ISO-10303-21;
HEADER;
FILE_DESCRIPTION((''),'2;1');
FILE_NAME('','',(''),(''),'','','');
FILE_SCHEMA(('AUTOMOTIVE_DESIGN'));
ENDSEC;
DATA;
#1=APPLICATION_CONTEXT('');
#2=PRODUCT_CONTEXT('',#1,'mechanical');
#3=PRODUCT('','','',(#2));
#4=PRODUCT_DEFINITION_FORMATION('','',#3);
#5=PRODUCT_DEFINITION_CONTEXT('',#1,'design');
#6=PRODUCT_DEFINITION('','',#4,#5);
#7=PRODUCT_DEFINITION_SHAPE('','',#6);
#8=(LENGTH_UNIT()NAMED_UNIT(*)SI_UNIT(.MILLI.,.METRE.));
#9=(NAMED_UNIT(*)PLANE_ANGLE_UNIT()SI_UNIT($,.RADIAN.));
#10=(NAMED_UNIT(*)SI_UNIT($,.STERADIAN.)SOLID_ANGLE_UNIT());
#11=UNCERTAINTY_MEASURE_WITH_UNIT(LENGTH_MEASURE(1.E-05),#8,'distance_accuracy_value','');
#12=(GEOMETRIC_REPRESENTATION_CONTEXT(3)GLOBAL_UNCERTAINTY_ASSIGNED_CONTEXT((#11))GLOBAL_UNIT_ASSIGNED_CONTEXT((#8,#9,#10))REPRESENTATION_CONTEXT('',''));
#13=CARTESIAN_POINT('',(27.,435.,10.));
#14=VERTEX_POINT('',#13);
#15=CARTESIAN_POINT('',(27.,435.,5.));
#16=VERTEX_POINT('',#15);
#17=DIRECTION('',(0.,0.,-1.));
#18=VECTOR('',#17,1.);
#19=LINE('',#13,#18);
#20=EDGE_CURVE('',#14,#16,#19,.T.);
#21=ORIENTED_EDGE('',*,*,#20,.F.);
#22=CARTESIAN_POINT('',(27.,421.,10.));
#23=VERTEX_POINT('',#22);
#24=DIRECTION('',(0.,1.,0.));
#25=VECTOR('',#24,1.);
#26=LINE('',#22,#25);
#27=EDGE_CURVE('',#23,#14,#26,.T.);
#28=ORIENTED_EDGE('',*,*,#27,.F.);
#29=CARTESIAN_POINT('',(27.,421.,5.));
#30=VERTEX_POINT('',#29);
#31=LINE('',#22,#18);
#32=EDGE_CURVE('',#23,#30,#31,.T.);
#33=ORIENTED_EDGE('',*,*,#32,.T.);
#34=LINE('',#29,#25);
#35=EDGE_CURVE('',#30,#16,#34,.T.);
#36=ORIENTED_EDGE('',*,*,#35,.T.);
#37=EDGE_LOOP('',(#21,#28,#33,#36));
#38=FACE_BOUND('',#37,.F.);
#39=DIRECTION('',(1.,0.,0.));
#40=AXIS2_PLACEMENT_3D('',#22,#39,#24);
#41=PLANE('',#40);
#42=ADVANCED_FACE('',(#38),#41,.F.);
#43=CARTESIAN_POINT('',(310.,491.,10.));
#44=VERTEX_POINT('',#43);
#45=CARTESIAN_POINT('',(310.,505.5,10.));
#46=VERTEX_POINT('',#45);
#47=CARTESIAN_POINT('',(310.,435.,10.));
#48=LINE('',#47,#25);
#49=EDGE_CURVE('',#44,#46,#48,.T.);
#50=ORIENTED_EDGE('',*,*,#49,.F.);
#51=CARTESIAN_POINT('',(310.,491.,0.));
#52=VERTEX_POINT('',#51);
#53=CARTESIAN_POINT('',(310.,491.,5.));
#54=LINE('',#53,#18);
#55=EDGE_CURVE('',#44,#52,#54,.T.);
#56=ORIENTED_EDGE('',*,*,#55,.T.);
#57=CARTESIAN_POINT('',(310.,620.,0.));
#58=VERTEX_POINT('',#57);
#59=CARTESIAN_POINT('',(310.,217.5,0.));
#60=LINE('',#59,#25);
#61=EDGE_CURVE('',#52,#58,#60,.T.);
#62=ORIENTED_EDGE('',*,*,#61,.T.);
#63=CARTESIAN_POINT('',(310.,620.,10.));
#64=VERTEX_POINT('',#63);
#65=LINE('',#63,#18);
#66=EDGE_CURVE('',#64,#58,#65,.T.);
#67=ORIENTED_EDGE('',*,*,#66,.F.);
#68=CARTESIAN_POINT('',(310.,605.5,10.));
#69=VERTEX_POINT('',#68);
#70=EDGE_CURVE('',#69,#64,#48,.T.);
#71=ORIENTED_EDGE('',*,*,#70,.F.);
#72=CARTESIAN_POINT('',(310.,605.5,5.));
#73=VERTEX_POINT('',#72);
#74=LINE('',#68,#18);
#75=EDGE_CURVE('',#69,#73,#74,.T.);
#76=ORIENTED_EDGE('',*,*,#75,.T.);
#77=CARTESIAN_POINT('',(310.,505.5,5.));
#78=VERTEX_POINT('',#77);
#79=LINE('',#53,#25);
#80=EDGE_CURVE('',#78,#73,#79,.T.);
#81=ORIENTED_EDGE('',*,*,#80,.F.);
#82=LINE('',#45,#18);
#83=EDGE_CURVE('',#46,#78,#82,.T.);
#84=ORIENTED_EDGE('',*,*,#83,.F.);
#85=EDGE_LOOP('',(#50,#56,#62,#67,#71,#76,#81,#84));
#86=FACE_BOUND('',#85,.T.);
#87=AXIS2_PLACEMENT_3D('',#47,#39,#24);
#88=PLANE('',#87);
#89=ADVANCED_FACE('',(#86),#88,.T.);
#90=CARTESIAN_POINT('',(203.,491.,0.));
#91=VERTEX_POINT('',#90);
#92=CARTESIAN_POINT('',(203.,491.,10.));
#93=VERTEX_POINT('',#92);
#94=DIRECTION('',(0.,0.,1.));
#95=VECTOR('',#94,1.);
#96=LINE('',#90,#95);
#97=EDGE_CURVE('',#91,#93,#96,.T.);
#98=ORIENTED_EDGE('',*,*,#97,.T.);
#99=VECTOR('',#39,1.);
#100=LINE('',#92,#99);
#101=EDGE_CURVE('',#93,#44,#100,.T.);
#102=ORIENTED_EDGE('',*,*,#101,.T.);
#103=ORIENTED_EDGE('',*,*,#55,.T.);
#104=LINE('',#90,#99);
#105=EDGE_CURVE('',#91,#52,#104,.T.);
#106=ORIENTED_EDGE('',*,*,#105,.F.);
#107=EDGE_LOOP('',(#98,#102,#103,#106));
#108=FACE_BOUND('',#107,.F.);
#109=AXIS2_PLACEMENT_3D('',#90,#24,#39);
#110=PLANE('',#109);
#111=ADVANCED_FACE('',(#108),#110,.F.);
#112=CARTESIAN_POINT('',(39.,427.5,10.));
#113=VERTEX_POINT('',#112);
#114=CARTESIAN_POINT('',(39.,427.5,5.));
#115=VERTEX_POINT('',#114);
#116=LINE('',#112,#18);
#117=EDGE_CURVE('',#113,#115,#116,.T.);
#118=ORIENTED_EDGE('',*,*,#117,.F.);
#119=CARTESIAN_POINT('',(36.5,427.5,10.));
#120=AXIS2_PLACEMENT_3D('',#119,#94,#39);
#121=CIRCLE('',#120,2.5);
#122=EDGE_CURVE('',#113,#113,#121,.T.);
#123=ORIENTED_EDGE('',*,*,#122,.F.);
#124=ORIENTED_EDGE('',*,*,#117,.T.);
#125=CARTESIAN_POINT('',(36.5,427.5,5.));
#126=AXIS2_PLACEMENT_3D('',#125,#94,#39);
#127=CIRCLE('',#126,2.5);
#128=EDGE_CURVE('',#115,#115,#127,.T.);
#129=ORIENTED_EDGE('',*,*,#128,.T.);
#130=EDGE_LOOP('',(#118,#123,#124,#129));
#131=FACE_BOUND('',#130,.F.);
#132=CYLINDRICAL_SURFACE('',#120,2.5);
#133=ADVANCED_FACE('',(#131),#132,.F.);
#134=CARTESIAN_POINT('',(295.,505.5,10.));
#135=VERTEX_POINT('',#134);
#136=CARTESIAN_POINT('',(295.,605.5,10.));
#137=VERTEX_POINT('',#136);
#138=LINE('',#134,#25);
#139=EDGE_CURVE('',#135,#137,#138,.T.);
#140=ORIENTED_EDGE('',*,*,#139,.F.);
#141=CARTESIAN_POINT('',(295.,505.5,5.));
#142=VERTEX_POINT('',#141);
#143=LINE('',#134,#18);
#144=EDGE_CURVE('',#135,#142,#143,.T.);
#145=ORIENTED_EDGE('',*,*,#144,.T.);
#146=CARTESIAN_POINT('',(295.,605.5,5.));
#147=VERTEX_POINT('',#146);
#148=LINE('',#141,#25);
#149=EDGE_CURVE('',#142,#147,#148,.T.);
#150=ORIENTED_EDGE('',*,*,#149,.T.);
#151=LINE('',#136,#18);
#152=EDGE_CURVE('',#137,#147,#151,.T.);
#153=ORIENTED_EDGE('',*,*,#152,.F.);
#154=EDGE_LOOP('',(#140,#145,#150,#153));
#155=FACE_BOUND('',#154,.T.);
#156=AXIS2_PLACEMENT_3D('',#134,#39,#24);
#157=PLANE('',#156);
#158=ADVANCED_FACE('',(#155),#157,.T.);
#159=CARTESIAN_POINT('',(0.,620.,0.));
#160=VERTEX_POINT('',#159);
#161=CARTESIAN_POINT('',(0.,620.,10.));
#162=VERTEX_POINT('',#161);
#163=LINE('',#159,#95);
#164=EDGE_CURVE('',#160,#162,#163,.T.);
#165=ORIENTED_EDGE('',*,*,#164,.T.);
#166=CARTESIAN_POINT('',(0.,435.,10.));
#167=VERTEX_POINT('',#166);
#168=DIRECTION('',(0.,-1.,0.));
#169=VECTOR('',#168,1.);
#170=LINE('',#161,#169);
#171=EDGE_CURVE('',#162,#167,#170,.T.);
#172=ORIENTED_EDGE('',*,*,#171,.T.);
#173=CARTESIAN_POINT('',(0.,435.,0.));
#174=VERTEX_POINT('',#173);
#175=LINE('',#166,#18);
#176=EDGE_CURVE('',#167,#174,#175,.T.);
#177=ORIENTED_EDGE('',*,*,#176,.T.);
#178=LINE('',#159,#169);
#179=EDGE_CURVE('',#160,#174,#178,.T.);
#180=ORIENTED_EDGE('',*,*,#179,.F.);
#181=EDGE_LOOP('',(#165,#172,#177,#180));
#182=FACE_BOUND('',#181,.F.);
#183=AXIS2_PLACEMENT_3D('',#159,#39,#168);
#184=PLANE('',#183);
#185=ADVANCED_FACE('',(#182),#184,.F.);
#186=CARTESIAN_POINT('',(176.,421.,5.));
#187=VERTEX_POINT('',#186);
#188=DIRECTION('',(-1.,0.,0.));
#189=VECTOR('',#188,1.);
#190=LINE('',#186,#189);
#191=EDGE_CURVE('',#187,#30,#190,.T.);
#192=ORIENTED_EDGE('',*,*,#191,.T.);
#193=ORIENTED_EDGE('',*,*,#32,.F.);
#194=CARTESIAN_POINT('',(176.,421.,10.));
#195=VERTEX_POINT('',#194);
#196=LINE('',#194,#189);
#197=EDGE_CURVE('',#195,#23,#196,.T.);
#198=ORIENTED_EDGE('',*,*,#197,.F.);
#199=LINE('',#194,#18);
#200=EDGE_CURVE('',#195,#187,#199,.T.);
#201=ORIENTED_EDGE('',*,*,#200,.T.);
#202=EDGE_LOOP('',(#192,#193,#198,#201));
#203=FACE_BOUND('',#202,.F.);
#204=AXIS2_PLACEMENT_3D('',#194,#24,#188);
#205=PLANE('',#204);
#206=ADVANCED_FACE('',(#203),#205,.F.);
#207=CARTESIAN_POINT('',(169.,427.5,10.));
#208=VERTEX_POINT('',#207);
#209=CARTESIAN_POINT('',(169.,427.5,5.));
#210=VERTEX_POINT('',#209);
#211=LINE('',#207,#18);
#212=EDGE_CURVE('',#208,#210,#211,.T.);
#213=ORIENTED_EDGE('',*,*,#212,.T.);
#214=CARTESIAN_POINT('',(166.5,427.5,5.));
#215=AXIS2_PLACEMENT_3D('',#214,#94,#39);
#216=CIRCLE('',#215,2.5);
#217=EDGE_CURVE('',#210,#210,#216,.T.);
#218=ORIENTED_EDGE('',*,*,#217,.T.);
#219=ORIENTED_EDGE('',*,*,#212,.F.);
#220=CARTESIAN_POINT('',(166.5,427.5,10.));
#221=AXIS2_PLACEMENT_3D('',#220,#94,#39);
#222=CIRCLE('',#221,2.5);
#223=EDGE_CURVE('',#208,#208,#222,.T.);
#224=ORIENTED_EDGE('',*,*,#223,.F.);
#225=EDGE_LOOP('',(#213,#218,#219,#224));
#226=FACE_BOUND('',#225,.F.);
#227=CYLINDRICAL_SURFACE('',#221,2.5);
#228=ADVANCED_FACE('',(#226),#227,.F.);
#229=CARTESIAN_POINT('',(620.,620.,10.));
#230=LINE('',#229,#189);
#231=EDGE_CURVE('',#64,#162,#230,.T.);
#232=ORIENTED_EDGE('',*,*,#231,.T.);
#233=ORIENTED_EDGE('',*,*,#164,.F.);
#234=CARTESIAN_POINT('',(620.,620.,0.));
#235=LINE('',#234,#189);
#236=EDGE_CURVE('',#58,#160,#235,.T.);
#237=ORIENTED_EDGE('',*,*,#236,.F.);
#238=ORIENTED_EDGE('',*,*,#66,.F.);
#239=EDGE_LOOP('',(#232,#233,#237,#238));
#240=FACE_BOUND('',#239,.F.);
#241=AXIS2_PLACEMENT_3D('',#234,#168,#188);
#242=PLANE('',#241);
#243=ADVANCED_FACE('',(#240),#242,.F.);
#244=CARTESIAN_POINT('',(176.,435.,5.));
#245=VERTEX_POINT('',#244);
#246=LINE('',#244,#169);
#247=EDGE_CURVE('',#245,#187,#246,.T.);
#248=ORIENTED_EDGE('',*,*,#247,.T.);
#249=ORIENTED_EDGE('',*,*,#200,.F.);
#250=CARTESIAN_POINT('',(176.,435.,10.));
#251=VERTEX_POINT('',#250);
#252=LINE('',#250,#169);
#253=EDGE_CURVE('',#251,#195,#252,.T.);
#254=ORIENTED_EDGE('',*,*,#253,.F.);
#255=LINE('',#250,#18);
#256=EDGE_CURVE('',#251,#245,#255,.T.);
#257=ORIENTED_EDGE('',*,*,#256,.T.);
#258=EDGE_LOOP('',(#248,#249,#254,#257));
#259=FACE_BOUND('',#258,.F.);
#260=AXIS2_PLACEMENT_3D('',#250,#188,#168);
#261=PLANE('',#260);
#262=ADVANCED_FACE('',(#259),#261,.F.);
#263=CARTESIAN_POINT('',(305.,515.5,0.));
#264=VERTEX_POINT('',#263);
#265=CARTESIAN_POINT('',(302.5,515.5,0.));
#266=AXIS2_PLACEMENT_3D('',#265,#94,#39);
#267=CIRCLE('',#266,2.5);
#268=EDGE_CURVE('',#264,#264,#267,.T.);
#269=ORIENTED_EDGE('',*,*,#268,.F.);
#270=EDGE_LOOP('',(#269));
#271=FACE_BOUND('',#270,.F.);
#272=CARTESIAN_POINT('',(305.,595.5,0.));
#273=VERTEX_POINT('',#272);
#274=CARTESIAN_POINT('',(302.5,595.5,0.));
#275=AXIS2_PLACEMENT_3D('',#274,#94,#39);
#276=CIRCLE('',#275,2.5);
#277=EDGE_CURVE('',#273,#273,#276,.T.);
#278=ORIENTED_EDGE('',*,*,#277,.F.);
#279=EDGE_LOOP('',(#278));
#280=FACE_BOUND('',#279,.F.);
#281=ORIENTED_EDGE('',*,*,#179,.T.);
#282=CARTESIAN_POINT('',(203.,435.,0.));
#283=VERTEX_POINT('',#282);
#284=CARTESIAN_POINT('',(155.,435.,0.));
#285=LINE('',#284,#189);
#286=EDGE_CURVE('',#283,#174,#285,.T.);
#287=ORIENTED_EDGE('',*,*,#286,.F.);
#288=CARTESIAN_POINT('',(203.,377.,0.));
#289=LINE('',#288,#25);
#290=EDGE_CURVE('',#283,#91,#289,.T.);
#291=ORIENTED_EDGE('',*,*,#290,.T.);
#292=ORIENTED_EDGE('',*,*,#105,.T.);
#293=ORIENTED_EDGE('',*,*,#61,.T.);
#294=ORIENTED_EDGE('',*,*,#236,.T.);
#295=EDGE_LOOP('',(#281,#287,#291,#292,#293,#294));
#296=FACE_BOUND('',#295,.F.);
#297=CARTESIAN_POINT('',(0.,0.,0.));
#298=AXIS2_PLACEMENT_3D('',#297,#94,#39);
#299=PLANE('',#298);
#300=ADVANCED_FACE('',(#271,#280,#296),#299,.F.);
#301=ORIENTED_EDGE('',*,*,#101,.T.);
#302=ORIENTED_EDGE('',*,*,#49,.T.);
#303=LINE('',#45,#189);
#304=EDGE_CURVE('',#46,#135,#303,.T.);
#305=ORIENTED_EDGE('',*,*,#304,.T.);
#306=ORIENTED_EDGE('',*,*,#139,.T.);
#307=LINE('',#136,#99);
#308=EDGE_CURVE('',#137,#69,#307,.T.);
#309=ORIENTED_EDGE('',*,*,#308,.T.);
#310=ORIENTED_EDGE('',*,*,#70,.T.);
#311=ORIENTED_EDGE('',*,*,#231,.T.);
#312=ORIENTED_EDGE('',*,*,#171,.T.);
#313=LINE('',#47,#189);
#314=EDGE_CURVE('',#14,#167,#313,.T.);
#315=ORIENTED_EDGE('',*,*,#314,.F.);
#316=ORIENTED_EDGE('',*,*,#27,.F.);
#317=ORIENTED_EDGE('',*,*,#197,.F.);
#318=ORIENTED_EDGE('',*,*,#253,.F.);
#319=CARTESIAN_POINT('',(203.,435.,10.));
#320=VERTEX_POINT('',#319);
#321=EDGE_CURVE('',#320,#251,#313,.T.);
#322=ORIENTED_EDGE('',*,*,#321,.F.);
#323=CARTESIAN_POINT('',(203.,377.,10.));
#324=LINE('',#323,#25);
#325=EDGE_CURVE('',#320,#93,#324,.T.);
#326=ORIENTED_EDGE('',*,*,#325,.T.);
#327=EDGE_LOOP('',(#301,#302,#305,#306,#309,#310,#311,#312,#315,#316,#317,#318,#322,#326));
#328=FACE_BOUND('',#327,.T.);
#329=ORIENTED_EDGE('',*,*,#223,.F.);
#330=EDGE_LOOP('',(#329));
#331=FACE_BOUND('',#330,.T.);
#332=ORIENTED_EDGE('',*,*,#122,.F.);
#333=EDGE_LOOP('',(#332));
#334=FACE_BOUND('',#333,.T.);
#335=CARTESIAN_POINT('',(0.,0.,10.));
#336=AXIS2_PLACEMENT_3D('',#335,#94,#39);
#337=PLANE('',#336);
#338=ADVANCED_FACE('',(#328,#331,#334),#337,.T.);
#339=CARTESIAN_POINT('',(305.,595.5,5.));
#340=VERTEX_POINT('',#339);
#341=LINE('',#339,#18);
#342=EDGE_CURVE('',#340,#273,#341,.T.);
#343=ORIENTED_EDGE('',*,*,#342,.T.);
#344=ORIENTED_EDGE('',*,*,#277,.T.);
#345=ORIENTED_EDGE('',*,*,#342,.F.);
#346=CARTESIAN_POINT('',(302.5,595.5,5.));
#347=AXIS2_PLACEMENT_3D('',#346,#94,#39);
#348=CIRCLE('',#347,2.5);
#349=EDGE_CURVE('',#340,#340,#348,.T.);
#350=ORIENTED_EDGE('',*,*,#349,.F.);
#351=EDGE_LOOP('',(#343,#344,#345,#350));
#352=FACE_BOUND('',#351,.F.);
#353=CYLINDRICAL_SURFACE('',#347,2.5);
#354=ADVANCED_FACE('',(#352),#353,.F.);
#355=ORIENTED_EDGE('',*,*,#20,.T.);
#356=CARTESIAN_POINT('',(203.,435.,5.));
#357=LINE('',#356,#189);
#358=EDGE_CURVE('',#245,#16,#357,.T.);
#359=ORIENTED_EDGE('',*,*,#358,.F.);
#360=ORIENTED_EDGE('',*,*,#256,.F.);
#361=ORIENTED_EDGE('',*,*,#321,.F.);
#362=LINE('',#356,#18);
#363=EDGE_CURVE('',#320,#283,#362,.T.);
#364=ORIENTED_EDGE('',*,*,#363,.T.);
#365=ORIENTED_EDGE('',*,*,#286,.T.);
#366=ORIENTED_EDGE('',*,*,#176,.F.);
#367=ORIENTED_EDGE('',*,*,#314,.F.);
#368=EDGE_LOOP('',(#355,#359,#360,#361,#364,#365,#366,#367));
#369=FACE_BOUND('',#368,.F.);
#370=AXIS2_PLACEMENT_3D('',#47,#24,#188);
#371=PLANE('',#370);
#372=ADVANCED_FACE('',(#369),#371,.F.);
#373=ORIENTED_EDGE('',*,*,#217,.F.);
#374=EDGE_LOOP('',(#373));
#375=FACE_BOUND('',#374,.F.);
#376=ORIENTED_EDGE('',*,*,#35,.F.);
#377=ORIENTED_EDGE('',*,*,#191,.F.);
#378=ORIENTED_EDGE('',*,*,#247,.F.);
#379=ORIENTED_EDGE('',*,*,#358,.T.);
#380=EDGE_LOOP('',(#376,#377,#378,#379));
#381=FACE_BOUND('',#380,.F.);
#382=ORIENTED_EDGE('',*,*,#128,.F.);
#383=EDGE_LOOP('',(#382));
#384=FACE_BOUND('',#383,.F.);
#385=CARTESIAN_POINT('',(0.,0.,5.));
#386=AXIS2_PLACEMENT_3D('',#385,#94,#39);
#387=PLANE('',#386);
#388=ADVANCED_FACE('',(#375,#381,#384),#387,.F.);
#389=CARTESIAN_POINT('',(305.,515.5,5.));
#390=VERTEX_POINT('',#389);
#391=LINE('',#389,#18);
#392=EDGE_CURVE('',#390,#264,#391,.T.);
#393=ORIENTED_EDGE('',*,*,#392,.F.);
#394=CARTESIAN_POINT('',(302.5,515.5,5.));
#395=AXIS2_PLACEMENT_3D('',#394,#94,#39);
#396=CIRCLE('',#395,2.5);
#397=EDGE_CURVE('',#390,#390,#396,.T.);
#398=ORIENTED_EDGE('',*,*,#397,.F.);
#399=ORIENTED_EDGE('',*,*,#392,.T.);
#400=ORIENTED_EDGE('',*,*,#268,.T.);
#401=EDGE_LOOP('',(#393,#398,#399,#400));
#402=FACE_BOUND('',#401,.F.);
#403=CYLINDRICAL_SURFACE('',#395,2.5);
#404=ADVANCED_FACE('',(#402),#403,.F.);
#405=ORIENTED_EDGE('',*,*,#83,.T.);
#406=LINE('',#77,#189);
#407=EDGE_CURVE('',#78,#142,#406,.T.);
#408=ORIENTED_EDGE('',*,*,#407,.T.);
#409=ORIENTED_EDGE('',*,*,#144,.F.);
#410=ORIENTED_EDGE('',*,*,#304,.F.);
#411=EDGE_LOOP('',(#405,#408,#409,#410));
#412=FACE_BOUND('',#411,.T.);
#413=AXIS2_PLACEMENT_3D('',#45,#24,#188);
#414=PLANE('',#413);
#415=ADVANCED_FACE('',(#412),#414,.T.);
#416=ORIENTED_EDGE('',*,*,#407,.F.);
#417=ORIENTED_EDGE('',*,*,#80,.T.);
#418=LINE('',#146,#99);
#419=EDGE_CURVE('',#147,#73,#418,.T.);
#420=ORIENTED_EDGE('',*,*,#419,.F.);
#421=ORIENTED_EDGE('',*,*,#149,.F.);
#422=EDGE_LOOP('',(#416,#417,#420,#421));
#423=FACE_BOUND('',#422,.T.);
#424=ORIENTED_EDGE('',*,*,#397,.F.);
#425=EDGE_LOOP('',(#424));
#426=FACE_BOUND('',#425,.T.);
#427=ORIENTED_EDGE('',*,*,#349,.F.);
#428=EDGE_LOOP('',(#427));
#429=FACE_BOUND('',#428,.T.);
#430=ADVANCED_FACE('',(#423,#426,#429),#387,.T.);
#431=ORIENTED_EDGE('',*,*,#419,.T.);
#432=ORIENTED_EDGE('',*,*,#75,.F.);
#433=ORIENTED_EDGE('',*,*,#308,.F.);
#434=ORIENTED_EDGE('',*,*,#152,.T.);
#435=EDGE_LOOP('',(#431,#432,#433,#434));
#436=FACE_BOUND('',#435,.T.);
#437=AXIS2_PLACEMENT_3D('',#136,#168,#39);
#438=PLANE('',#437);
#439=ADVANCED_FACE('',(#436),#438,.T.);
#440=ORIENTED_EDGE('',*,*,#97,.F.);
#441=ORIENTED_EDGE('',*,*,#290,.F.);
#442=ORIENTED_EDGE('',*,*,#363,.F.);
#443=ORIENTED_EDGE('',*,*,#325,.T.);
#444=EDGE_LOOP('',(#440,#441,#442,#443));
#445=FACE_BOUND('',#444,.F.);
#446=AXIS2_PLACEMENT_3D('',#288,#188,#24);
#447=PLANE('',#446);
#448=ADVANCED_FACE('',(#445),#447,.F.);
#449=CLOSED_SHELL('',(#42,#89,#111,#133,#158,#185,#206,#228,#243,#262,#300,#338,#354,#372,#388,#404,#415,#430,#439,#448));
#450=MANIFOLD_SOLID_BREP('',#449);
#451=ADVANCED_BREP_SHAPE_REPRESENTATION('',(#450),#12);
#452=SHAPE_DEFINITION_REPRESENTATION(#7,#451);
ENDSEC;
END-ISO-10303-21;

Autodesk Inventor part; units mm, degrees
ref_plane "YZ Plane" through (0, 0, 0) normal (1, 0, 0) x (0, 1, 0)
ref_plane "XZ Plane" through (0, 0, 0) normal (0, 1, 0) x (-1, 0, 0)
ref_plane "XY Plane" through (0, 0, 0) normal (0, 0, 1) x (1, 0, 0)
sketch "Sketch1" plane through (0, 0, 0) normal (0, 0, 1) x (1, 0, 0)
  line L0 (0, 0) -> (620, 0)
  line L1 (620, 0) -> (620, 620)
  line L2 (620, 620) -> (0, 620)
  line L3 (0, 620) -> (0, 0)
  line L4 (203, 491) -> (417, 491)
  line L5 (417, 491) -> (417, 377)
  line L6 (417, 377) -> (203, 377)
  line L7 (203, 377) -> (203, 491)
  point P0 (310, 491)
  point P1 (310, 620)
  dimension "d0" = 620
  dimension "d1" = 620
  dimension "d2" = 214
  dimension "d3" = 114
  dimension "d4" = 129
extrude "Extrusion1" add sketch "Sketch1" along normal blind 10
sketch "Sketch2" plane through (0, 0, 10) normal (0, 0, 1) x (1, 0, 0)
  line L0 (0, 0) -> (310, 0)
  line L1 (310, 0) -> (310, 435)
  line L2 (310, 435) -> (0, 435)
  line L3 (0, 435) -> (0, 0)
  line L4 (620, 620) -> (0, 620) projected
  line L5 (0, 435) -> (620, 435)
  line L6 (620, 435) -> (620, 620)
  line L7 (620, 620) -> (0, 620)
  line L8 (0, 620) -> (0, 435)
  line L9 (310, 435) -> (620, 435)
  line L10 (620, 435) -> (620, 0)
  line L11 (620, 0) -> (310, 0)
  line L12 (310, 0) -> (310, 435)
  line L13 (620, 435) -> (310, 435)
  line L14 (310, 435) -> (310, 620)
  line L15 (310, 620) -> (620, 620)
  line L16 (620, 620) -> (620, 435)
  dimension "d7" = 435
extrude "Extrusion2" cut sketch "Sketch2" against normal through all contours L3 L2 L1 L0 | L1 L5 L10 L11 | L14 L4 L6 L5
sketch "Sketch6" plane through (0, 0, 10) normal (0, 0, 1) x (1, 0, 0)
  line L0 (310, 491) -> (310, 620) projected
  line L1 (310, 505.5) -> (295, 505.5)
  line L2 (295, 505.5) -> (295, 605.5)
  line L3 (295, 605.5) -> (310, 605.5)
  line L4 (310, 605.5) -> (310, 505.5)
  point P0 (0, 0)
  point P1 (310, 555.5)
  dimension "d30" = 15
  dimension "d31" = 100
extrude "Extrusion6" cut sketch "Sketch6" against normal blind 5
sketch "Sketch7" plane through (0, 0, 5) normal (0, 0, 1) x (1, 0, 0)
  line L0 (310, 605.5) -> (310, 505.5) construction
  line L1 (295, 605.5) -> (310, 605.5) construction
  line L2 (295, 505.5) -> (295, 605.5) construction
  line L3 (310, 505.5) -> (295, 505.5) construction
  circle A0 centre (302.5, 515.5) radius 2.5
  circle A1 centre (302.5, 595.5) radius 2.5
  point P0 (0, 0)
  point P1 (302.5, 605.5)
  point P2 (302.5, 505.5)
  dimension "d36" = 5
  dimension "d37" = 5
  dimension "d38" = 10
  dimension "d39" = 10
extrude "Extrusion7" cut sketch "Sketch7" against normal through all
sketch "Sketch8" plane through (0, 0, 10) normal (0, 0, 1) x (1, 0, 0)
  line L0 (203, 435) -> (0, 435) projected
  line L1 (27, 435) -> (176, 435)
  line L2 (176, 435) -> (176, 421)
  line L3 (176, 421) -> (27, 421)
  line L4 (27, 421) -> (27, 435)
  line L5 (26.5, 435) -> (176.5, 435) construction
  line L6 (176.5, 435) -> (176.5, 420) construction
  line L7 (176.5, 420) -> (26.5, 420) construction
  line L8 (26.5, 420) -> (26.5, 435) construction
  line L9 (0, 435) -> (203, 435) projected
  circle A0 centre (36.5, 427.5) radius 2.5
  circle A1 centre (166.5, 427.5) radius 2.5
  point P0 (0, 0)
  point P1 (101.5, 435)
  point P2 (101.5, 435)
  point P3 (176.5, 427.5)
  point P4 (26.5, 427.5)
  dimension "d44" = 149
  dimension "d45" = 14
  dimension "d46" = 150
  dimension "d47" = 15
  dimension "d48" = 5
  dimension "d49" = 5
  dimension "d50" = 10
  dimension "d51" = 10
extrude "Extrusion8" add sketch "Sketch8" against normal blind 5
properties part number "TC001b" material "ABS Plastic"
